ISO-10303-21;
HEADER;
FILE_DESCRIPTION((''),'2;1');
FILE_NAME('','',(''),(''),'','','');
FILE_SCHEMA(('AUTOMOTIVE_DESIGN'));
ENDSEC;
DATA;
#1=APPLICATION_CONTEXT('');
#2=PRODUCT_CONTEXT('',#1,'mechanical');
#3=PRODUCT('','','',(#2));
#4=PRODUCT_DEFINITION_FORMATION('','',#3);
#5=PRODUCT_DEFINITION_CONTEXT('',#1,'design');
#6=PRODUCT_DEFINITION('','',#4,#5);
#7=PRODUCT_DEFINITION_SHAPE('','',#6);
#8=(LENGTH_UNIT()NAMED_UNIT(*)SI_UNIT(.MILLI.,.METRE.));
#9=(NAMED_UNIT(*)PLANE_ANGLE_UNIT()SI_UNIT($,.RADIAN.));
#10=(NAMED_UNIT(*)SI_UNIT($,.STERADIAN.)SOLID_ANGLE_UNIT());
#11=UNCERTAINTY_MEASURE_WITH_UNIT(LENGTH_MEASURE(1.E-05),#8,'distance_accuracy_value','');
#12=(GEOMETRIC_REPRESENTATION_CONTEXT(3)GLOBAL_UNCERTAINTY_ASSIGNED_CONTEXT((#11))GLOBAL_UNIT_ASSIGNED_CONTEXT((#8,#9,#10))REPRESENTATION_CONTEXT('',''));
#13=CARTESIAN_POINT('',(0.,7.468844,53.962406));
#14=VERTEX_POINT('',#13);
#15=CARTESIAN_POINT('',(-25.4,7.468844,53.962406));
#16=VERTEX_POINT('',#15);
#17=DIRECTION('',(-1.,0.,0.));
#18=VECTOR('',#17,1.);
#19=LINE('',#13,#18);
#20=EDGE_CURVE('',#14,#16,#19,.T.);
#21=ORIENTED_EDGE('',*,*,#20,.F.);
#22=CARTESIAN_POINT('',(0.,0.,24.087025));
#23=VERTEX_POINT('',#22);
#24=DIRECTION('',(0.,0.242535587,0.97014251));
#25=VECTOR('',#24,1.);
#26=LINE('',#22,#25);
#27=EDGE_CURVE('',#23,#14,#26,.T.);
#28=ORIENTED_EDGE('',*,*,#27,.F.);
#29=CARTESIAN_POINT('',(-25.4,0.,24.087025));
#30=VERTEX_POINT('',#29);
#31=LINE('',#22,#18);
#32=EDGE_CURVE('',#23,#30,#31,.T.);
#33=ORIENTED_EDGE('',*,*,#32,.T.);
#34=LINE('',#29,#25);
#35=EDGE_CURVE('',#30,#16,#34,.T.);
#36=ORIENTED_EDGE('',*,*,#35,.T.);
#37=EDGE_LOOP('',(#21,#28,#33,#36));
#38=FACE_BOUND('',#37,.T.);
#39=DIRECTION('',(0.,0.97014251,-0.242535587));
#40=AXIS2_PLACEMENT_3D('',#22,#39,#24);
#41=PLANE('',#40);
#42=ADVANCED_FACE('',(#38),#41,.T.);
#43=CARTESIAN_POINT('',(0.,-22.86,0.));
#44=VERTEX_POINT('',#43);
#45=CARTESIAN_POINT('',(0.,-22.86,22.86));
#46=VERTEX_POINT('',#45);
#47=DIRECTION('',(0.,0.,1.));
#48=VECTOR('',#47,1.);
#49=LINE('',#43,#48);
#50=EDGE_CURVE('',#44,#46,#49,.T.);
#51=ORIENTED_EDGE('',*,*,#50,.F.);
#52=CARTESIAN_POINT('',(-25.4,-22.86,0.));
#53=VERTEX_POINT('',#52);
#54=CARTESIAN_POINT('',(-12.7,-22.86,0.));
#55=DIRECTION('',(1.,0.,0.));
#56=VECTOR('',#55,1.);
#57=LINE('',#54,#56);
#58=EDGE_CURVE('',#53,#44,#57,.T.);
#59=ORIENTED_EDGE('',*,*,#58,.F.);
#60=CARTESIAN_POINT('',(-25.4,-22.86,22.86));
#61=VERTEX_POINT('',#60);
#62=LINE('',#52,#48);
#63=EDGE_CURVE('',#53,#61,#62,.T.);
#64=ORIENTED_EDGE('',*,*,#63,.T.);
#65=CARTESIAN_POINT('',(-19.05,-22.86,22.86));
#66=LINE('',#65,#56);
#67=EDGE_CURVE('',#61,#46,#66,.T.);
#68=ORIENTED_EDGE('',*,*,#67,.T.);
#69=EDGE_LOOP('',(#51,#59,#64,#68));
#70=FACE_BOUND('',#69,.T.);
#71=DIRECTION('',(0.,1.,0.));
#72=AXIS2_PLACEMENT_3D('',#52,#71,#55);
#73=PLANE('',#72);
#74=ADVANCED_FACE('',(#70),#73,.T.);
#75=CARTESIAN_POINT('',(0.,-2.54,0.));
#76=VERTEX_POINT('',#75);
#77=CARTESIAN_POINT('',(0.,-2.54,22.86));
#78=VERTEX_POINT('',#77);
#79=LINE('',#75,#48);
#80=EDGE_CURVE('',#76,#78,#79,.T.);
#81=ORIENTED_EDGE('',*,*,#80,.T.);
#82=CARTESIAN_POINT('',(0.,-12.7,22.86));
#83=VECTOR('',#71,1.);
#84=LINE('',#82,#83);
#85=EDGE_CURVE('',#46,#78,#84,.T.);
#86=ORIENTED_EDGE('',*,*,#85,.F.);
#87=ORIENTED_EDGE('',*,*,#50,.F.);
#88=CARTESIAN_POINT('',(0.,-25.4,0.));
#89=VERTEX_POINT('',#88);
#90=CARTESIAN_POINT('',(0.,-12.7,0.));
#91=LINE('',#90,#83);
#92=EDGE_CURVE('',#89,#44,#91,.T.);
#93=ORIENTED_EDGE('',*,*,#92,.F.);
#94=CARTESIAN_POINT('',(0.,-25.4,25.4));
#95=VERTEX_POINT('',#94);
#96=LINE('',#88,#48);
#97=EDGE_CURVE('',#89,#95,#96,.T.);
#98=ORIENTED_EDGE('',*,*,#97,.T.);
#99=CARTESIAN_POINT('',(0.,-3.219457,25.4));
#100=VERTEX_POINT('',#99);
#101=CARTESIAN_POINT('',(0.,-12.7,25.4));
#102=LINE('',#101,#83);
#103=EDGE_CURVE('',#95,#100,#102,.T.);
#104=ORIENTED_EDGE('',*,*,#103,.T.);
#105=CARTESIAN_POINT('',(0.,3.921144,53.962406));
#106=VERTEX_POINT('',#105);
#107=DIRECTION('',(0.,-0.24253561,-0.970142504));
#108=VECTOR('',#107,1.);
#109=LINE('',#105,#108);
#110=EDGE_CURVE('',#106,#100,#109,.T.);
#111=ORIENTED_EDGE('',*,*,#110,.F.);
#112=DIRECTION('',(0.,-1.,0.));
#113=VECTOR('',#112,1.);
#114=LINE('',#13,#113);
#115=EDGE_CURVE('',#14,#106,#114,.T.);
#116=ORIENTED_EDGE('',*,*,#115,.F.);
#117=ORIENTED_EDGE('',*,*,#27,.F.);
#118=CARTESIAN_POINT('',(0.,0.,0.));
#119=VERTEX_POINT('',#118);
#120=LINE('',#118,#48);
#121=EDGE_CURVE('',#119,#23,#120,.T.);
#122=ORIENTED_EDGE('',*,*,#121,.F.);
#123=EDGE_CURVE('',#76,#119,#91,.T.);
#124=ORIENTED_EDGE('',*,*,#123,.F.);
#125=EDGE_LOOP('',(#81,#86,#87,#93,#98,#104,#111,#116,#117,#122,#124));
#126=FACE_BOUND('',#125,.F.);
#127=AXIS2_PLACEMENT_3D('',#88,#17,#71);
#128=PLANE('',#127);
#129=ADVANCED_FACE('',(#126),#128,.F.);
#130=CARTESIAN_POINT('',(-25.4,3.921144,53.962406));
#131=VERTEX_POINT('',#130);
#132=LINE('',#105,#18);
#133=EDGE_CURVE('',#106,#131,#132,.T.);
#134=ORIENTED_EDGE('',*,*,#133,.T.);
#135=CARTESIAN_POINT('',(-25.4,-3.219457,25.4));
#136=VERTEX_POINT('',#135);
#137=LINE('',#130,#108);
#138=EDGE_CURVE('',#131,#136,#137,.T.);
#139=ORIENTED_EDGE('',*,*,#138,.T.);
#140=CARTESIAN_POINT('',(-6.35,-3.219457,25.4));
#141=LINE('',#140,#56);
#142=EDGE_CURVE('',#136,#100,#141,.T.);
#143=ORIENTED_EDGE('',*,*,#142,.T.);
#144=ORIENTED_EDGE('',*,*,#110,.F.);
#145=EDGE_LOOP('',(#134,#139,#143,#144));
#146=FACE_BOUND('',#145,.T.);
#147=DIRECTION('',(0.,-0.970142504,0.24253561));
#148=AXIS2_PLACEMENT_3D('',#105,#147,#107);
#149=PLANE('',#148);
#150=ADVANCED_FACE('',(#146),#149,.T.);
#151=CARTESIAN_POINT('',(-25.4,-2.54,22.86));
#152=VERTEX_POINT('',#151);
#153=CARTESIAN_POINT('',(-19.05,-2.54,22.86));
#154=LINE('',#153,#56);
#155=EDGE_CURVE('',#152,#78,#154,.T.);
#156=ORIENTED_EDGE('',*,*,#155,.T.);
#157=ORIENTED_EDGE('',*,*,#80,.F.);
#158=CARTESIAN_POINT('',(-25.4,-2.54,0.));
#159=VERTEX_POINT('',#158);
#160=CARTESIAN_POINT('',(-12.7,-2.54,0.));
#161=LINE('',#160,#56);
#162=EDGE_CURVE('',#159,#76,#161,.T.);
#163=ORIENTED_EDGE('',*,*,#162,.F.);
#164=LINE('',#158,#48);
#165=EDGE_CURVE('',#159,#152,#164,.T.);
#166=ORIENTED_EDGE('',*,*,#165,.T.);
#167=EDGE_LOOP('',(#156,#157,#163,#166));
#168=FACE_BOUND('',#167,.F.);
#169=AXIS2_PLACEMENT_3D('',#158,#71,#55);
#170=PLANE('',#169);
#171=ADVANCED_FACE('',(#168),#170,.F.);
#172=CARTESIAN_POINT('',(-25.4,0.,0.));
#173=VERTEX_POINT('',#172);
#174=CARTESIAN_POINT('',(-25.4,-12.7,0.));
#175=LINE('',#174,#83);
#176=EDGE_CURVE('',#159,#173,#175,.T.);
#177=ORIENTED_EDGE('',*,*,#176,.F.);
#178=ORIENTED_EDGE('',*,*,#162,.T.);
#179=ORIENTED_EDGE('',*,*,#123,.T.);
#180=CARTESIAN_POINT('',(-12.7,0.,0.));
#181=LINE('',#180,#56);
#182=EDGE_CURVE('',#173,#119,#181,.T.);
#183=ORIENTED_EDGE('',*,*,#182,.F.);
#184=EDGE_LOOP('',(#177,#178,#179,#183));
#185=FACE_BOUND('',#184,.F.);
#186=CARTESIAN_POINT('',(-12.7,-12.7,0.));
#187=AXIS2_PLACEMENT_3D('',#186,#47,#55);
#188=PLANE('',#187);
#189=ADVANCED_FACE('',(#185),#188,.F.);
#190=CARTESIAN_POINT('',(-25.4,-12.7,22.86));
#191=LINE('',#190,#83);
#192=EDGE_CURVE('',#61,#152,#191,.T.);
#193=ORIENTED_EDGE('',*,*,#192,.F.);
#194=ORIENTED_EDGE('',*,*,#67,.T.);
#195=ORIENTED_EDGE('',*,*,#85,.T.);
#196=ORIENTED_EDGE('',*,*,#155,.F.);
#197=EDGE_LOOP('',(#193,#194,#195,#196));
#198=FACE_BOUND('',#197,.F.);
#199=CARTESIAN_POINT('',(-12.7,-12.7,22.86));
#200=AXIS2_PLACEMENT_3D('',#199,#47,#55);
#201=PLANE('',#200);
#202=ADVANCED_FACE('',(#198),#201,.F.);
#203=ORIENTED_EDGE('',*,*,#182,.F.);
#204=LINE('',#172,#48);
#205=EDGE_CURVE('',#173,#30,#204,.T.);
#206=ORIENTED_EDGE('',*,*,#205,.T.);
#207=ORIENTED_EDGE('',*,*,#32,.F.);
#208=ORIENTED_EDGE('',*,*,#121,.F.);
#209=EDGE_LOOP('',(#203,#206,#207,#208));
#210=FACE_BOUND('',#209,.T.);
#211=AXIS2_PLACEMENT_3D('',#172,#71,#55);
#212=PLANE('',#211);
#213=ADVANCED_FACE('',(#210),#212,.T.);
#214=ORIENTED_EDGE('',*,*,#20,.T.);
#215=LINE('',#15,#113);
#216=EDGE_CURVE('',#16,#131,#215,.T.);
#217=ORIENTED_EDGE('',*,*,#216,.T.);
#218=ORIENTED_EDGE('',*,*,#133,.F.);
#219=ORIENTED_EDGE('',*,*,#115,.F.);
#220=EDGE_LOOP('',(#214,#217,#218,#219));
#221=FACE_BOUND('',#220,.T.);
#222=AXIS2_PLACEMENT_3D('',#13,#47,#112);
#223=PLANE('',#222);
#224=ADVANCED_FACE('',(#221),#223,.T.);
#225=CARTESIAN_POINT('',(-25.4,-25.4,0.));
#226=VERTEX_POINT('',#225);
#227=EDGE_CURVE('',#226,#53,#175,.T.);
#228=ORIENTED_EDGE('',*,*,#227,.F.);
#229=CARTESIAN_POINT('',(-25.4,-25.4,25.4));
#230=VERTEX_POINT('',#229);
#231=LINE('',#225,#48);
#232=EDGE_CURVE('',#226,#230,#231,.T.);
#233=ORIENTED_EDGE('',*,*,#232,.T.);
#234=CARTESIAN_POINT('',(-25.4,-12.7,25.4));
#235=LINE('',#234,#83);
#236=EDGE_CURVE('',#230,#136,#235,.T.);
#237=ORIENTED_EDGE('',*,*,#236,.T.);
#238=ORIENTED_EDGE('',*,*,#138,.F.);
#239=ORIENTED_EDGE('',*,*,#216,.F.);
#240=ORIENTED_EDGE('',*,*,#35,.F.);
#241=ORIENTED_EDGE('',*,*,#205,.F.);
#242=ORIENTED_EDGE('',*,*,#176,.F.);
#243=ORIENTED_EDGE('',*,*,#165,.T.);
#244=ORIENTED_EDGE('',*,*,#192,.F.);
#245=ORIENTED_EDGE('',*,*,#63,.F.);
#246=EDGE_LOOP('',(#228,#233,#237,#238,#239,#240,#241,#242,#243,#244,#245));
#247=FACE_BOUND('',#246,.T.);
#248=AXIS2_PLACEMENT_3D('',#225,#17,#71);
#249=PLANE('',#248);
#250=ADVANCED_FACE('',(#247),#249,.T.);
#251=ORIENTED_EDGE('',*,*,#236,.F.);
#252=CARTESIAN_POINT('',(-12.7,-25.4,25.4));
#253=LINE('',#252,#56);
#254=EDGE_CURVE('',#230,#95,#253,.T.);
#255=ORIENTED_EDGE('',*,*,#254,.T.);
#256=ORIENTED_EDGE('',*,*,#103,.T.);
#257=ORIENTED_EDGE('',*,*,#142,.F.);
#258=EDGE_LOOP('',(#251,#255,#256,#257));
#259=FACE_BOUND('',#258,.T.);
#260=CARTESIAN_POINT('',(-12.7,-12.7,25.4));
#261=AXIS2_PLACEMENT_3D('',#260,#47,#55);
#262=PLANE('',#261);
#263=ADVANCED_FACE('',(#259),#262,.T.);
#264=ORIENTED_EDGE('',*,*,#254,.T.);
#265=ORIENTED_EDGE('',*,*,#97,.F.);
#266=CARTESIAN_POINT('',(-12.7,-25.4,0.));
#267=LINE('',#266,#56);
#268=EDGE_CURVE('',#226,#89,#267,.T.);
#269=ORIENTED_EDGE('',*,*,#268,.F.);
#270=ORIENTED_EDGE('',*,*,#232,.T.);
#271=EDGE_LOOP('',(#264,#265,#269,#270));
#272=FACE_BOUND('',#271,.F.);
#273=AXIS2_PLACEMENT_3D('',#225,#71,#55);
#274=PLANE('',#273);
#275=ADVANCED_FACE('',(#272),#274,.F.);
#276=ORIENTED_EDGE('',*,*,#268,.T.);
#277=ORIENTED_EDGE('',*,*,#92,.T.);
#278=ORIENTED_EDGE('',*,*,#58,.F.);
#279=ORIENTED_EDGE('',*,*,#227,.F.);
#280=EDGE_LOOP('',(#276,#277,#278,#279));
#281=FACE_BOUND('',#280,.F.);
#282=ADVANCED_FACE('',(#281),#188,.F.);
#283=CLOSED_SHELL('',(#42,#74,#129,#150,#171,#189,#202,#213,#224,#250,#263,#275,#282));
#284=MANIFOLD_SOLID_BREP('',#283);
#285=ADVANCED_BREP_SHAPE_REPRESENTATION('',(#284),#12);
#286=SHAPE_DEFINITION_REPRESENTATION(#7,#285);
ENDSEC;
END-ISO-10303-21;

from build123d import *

# Parameters (mm, degrees)
F0_W     = 25.4
F0_H     = 25.4
F1_DEPTH = 25.4
F2_T     = -2.54
F4_DEPTH = 25.4


with BuildPart() as f1:
    # F0 (on Top) → F1 (new body)
    with BuildSketch(Plane.XY):
        with Locations((-12.7, -12.7)):
            Rectangle(F0_W, F0_H)
    extrude(amount=F1_DEPTH)

    # F2
    f2_openings = [f1.faces().sort_by_distance(p)[0] for p in [
        (0, -12.7, 12.7),
        (-25.4, -12.7, 12.7),
        (-12.7, -12.7, 0),
    ]]
    offset(amount=F2_T, openings=f2_openings)

    # F3 (on Right) → F4 (join)
    with BuildSketch(Plane.YZ):
        Polygon((-3.526252, 24.17282), (0, 24.087025), (7.468844, 53.962406), (3.921144, 53.962406), align=None)
    extrude(amount=-F4_DEPTH)


solid = f1.part
